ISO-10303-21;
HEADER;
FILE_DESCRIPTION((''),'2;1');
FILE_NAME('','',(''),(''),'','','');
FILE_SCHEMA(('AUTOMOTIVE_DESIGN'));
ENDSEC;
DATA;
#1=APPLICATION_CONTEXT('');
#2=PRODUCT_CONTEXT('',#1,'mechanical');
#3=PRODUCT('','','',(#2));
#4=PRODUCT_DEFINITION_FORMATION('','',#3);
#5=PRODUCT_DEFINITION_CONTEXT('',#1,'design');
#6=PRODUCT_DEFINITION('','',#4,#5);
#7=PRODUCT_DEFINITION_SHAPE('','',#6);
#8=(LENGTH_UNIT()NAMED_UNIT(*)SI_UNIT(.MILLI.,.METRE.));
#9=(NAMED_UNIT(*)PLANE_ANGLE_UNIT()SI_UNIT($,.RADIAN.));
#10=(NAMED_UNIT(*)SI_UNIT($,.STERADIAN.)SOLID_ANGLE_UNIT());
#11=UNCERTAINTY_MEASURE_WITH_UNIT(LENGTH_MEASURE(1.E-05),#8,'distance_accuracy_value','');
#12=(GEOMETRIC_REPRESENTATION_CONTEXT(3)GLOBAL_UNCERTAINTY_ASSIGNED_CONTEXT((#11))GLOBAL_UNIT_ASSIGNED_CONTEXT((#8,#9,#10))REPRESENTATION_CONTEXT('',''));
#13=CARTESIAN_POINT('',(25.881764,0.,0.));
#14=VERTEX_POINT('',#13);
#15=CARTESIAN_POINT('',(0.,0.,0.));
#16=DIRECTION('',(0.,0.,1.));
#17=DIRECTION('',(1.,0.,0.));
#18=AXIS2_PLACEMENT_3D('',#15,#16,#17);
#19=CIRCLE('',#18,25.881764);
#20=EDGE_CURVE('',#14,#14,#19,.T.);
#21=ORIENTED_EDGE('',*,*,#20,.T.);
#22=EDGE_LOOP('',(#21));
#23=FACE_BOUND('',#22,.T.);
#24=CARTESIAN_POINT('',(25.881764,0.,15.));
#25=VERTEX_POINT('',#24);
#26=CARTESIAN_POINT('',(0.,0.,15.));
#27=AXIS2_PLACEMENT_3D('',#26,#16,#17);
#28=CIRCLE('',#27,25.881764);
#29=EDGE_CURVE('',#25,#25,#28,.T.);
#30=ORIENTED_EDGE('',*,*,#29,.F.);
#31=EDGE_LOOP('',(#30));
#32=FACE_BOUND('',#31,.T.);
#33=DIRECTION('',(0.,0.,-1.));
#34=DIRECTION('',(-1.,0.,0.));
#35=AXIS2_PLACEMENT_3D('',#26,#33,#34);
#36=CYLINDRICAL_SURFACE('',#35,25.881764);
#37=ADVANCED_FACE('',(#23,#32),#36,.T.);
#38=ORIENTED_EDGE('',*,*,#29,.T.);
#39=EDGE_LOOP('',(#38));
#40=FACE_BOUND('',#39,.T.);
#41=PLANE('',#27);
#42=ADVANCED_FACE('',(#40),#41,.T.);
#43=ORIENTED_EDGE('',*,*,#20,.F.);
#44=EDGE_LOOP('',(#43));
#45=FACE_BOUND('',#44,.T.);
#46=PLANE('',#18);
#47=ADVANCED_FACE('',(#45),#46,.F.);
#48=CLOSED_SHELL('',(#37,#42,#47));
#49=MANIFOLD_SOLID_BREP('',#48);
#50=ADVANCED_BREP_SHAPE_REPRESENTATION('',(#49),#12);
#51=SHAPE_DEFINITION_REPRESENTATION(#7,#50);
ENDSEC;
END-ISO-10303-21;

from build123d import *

# Parameters (mm, degrees)
ESQUISSE1_R        = 25.881763996
BOSS_EXTRU_1_DEPTH = 15


with BuildPart() as part:
    # Esquisse1 → Boss.-Extru.1 (new body)
    with BuildSketch(Plane.XY):
        Circle(ESQUISSE1_R)
    extrude(amount=BOSS_EXTRU_1_DEPTH)


solid = part.part
